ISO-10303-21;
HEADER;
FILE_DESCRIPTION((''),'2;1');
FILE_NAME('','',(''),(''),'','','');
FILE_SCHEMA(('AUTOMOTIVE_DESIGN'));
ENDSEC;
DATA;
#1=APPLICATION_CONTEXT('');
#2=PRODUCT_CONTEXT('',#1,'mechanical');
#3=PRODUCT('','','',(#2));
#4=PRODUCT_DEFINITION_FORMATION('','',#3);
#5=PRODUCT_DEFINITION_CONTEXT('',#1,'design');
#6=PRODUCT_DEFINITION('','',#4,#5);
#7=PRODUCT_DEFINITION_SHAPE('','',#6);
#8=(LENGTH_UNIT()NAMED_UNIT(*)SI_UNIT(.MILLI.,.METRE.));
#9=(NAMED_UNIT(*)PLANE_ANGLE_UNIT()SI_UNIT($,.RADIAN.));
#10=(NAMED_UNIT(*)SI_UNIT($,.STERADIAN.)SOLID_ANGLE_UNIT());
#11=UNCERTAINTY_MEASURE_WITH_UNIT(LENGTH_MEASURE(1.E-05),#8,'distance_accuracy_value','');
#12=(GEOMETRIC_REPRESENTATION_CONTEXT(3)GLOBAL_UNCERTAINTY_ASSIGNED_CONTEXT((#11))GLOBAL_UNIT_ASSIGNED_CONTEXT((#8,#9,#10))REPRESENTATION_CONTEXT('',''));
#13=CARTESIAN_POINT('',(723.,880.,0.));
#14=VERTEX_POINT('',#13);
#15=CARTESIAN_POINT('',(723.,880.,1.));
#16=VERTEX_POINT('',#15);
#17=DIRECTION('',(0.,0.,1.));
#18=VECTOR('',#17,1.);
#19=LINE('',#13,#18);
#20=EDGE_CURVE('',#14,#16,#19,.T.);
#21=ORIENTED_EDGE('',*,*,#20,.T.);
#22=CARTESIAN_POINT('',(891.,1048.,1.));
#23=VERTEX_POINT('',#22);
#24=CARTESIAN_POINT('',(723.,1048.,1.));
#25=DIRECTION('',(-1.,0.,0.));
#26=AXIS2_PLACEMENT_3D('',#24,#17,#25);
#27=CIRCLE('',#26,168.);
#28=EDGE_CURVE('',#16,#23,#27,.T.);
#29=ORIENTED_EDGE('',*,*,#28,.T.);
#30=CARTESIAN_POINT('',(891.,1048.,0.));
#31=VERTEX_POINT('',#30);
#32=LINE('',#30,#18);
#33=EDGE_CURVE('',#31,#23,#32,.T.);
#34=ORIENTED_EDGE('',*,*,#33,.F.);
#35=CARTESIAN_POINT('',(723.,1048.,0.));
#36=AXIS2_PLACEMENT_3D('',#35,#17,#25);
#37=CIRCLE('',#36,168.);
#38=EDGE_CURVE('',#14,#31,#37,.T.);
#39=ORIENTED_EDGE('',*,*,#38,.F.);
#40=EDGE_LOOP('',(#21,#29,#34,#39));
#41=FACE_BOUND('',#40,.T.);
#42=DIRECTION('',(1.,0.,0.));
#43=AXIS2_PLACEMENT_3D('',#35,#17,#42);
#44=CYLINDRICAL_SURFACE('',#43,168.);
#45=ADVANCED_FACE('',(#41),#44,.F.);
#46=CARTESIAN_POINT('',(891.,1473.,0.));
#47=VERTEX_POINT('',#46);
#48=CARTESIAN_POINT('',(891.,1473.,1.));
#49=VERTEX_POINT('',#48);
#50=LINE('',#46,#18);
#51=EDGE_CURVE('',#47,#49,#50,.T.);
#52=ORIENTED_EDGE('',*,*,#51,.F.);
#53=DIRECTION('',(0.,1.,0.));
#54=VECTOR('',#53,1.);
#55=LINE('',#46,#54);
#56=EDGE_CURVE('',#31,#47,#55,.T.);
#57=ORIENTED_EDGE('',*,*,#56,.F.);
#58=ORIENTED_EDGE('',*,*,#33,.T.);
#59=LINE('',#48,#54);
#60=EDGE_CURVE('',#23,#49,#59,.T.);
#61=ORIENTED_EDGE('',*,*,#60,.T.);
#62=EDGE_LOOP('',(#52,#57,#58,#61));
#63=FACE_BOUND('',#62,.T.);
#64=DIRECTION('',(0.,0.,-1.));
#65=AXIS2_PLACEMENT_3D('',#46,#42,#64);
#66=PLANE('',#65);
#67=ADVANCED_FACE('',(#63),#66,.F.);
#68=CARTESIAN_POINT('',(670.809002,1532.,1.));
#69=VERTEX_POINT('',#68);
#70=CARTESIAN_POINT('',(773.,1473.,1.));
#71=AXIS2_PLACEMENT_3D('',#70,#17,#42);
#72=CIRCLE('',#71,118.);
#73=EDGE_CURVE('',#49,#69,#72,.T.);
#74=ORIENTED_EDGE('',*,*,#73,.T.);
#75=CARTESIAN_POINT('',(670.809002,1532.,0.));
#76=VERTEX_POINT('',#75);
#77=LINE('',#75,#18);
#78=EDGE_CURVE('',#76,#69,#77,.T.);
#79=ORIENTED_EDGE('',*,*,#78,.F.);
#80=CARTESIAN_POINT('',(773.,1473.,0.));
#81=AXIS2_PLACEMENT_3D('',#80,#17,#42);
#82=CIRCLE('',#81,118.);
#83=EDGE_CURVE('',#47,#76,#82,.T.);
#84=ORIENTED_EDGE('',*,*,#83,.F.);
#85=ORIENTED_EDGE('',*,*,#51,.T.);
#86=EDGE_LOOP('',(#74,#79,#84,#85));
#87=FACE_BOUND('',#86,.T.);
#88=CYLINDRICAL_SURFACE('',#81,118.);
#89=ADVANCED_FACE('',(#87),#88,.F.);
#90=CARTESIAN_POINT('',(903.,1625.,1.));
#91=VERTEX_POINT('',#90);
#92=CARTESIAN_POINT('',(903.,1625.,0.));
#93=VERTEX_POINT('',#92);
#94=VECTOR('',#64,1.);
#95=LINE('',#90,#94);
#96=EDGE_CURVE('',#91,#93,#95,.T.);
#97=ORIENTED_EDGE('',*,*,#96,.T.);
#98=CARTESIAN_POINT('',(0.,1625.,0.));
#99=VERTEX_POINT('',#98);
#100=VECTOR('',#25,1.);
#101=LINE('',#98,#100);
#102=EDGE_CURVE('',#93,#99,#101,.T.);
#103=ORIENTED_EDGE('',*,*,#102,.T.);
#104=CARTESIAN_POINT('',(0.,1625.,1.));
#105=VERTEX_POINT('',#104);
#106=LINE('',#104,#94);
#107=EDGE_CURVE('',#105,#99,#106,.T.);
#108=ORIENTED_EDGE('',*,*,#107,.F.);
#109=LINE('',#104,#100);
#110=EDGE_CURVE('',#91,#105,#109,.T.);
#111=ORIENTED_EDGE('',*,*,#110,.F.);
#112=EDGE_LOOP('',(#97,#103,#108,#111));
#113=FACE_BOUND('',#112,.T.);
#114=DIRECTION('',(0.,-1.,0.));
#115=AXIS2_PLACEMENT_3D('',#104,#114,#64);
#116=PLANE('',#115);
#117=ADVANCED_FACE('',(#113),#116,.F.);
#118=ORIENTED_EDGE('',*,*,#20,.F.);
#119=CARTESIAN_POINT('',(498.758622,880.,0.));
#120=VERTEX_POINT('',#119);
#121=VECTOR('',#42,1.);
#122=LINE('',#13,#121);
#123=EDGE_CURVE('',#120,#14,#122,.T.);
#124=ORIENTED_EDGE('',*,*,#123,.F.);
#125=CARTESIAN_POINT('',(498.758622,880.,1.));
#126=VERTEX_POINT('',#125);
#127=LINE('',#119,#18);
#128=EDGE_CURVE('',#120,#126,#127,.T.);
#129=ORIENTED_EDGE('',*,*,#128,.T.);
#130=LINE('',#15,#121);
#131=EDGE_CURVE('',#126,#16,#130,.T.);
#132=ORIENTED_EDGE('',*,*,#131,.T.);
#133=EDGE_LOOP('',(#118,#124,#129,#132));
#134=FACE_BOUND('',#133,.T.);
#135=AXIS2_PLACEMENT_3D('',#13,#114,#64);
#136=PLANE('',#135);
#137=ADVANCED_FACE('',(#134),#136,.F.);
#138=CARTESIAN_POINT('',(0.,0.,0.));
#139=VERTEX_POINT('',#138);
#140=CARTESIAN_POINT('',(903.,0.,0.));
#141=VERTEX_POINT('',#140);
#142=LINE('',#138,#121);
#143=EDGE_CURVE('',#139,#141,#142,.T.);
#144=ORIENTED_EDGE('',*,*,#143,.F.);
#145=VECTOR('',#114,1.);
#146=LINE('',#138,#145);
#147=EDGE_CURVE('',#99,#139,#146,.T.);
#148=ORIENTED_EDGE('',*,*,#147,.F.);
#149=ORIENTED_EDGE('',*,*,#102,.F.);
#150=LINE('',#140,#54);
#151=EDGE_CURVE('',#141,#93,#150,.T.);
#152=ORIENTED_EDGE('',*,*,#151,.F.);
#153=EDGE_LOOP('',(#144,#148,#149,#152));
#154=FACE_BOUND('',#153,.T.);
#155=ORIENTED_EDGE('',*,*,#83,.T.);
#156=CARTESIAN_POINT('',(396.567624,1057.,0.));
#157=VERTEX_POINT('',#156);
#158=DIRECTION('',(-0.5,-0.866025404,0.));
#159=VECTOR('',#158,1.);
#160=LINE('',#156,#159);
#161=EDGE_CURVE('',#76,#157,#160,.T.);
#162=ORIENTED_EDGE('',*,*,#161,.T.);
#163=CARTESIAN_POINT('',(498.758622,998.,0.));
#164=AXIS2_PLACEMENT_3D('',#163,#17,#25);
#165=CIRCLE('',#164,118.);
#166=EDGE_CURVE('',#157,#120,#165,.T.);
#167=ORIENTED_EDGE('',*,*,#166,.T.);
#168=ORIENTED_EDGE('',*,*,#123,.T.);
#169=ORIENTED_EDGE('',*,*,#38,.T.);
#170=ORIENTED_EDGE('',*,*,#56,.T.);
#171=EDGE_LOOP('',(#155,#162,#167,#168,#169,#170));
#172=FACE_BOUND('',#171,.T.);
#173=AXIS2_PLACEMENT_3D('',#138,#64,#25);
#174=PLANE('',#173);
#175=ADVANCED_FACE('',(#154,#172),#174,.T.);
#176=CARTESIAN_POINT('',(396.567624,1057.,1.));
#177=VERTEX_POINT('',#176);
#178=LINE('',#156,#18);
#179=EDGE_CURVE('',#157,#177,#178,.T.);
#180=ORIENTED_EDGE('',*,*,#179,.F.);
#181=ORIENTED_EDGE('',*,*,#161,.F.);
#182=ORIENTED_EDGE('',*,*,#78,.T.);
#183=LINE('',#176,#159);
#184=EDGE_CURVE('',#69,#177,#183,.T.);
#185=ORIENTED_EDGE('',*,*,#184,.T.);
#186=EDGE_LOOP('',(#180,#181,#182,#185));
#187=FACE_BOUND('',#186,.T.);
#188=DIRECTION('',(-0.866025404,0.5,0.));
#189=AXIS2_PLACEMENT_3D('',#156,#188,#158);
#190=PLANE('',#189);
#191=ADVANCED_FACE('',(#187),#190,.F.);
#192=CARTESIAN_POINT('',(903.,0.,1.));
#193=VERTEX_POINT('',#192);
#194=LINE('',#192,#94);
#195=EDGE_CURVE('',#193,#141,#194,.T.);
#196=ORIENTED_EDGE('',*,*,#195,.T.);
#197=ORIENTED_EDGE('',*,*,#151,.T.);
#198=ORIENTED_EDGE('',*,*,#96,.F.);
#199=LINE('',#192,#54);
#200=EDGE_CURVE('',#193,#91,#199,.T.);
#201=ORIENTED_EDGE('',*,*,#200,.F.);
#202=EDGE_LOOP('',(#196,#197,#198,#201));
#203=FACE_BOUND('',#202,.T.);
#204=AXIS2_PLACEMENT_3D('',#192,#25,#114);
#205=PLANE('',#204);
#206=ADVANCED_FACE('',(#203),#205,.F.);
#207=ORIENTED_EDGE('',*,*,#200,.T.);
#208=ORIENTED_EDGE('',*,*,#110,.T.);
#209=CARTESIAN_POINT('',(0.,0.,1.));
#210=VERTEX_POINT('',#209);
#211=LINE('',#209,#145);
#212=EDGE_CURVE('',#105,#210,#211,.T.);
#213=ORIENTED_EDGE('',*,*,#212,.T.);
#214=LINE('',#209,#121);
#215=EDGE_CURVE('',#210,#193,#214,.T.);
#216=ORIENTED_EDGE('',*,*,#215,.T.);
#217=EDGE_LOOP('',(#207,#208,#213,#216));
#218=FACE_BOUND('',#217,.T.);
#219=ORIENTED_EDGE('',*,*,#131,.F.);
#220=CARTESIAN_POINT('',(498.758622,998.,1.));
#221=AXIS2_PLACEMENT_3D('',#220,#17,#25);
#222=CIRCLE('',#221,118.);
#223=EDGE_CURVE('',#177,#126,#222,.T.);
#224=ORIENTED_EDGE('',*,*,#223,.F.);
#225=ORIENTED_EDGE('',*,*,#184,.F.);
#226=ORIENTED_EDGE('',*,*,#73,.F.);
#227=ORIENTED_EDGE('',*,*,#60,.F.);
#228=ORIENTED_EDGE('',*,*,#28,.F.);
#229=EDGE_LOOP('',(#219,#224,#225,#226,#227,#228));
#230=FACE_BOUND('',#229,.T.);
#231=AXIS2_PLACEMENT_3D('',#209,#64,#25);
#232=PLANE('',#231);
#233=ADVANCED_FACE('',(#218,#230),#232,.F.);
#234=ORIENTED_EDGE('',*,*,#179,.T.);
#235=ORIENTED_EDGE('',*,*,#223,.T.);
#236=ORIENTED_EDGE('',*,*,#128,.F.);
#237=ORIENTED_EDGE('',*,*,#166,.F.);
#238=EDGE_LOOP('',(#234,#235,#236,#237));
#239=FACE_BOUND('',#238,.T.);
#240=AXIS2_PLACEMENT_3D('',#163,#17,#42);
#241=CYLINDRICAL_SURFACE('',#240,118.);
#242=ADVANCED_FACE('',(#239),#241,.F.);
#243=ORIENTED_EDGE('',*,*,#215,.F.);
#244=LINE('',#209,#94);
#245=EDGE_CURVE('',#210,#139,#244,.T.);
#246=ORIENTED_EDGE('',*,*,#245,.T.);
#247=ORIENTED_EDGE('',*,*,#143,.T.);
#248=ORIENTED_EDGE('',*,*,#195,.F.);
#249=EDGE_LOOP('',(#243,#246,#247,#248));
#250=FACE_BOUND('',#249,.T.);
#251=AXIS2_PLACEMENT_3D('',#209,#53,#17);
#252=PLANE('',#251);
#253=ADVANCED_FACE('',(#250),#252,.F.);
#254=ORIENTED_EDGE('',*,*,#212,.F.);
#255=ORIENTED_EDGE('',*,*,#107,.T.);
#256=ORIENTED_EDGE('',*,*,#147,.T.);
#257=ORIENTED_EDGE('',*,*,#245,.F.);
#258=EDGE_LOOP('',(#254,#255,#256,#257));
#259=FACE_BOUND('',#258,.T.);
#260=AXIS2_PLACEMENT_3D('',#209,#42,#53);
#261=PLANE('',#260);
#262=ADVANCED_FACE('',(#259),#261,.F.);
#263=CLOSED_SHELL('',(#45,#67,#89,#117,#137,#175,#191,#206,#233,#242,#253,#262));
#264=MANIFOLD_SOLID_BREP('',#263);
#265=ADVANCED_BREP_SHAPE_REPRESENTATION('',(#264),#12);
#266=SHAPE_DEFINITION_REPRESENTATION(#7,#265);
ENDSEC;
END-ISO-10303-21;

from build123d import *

# Parameters (mm, degrees)
SKETCH1_W           = 903
SKETCH1_H           = 1625
BOSS_EXTRUDE1_DEPTH = 1
CUT_EXTRUDE1_DEPTH  = 1957.486620094


with BuildPart() as part:
    # Sketch1 → Boss-Extrude1 (new body)
    with BuildSketch(Plane.XY):
        with Locations((451.5, 812.5)):
            Rectangle(SKETCH1_W, SKETCH1_H)
    extrude(amount=BOSS_EXTRUDE1_DEPTH)

    # Sketch2 → Cut-Extrude1 (cut, through all)
    with BuildSketch(Plane(origin=(-119.436638294, -43.071405931, 1), x_dir=(1, 0, 0), z_dir=(0, 0, 1))):
        with BuildLine():
            Line((1010.436638294, 1516.071405931), (1010.436638294, 1091.071405931))
            ThreePointArc((1010.436638294, 1091.071405931), (961.230577533, 972.277466691), (842.436638294, 923.071405931))
            Line((842.436638294, 923.071405931), (618.195260429, 923.071405931))
            ThreePointArc((618.195260429, 923.071405931), (516.004262782, 982.071405931), (516.004262782, 1100.071405931))
            Line((516.004262782, 1100.071405931), (790.245640647, 1575.071405931))
            ThreePointArc((790.245640647, 1575.071405931), (922.977285616, 1630.050653433), (1010.436638294, 1516.071405931))
        make_face()
    extrude(amount=-CUT_EXTRUDE1_DEPTH, mode=Mode.SUBTRACT)


solid = part.part
